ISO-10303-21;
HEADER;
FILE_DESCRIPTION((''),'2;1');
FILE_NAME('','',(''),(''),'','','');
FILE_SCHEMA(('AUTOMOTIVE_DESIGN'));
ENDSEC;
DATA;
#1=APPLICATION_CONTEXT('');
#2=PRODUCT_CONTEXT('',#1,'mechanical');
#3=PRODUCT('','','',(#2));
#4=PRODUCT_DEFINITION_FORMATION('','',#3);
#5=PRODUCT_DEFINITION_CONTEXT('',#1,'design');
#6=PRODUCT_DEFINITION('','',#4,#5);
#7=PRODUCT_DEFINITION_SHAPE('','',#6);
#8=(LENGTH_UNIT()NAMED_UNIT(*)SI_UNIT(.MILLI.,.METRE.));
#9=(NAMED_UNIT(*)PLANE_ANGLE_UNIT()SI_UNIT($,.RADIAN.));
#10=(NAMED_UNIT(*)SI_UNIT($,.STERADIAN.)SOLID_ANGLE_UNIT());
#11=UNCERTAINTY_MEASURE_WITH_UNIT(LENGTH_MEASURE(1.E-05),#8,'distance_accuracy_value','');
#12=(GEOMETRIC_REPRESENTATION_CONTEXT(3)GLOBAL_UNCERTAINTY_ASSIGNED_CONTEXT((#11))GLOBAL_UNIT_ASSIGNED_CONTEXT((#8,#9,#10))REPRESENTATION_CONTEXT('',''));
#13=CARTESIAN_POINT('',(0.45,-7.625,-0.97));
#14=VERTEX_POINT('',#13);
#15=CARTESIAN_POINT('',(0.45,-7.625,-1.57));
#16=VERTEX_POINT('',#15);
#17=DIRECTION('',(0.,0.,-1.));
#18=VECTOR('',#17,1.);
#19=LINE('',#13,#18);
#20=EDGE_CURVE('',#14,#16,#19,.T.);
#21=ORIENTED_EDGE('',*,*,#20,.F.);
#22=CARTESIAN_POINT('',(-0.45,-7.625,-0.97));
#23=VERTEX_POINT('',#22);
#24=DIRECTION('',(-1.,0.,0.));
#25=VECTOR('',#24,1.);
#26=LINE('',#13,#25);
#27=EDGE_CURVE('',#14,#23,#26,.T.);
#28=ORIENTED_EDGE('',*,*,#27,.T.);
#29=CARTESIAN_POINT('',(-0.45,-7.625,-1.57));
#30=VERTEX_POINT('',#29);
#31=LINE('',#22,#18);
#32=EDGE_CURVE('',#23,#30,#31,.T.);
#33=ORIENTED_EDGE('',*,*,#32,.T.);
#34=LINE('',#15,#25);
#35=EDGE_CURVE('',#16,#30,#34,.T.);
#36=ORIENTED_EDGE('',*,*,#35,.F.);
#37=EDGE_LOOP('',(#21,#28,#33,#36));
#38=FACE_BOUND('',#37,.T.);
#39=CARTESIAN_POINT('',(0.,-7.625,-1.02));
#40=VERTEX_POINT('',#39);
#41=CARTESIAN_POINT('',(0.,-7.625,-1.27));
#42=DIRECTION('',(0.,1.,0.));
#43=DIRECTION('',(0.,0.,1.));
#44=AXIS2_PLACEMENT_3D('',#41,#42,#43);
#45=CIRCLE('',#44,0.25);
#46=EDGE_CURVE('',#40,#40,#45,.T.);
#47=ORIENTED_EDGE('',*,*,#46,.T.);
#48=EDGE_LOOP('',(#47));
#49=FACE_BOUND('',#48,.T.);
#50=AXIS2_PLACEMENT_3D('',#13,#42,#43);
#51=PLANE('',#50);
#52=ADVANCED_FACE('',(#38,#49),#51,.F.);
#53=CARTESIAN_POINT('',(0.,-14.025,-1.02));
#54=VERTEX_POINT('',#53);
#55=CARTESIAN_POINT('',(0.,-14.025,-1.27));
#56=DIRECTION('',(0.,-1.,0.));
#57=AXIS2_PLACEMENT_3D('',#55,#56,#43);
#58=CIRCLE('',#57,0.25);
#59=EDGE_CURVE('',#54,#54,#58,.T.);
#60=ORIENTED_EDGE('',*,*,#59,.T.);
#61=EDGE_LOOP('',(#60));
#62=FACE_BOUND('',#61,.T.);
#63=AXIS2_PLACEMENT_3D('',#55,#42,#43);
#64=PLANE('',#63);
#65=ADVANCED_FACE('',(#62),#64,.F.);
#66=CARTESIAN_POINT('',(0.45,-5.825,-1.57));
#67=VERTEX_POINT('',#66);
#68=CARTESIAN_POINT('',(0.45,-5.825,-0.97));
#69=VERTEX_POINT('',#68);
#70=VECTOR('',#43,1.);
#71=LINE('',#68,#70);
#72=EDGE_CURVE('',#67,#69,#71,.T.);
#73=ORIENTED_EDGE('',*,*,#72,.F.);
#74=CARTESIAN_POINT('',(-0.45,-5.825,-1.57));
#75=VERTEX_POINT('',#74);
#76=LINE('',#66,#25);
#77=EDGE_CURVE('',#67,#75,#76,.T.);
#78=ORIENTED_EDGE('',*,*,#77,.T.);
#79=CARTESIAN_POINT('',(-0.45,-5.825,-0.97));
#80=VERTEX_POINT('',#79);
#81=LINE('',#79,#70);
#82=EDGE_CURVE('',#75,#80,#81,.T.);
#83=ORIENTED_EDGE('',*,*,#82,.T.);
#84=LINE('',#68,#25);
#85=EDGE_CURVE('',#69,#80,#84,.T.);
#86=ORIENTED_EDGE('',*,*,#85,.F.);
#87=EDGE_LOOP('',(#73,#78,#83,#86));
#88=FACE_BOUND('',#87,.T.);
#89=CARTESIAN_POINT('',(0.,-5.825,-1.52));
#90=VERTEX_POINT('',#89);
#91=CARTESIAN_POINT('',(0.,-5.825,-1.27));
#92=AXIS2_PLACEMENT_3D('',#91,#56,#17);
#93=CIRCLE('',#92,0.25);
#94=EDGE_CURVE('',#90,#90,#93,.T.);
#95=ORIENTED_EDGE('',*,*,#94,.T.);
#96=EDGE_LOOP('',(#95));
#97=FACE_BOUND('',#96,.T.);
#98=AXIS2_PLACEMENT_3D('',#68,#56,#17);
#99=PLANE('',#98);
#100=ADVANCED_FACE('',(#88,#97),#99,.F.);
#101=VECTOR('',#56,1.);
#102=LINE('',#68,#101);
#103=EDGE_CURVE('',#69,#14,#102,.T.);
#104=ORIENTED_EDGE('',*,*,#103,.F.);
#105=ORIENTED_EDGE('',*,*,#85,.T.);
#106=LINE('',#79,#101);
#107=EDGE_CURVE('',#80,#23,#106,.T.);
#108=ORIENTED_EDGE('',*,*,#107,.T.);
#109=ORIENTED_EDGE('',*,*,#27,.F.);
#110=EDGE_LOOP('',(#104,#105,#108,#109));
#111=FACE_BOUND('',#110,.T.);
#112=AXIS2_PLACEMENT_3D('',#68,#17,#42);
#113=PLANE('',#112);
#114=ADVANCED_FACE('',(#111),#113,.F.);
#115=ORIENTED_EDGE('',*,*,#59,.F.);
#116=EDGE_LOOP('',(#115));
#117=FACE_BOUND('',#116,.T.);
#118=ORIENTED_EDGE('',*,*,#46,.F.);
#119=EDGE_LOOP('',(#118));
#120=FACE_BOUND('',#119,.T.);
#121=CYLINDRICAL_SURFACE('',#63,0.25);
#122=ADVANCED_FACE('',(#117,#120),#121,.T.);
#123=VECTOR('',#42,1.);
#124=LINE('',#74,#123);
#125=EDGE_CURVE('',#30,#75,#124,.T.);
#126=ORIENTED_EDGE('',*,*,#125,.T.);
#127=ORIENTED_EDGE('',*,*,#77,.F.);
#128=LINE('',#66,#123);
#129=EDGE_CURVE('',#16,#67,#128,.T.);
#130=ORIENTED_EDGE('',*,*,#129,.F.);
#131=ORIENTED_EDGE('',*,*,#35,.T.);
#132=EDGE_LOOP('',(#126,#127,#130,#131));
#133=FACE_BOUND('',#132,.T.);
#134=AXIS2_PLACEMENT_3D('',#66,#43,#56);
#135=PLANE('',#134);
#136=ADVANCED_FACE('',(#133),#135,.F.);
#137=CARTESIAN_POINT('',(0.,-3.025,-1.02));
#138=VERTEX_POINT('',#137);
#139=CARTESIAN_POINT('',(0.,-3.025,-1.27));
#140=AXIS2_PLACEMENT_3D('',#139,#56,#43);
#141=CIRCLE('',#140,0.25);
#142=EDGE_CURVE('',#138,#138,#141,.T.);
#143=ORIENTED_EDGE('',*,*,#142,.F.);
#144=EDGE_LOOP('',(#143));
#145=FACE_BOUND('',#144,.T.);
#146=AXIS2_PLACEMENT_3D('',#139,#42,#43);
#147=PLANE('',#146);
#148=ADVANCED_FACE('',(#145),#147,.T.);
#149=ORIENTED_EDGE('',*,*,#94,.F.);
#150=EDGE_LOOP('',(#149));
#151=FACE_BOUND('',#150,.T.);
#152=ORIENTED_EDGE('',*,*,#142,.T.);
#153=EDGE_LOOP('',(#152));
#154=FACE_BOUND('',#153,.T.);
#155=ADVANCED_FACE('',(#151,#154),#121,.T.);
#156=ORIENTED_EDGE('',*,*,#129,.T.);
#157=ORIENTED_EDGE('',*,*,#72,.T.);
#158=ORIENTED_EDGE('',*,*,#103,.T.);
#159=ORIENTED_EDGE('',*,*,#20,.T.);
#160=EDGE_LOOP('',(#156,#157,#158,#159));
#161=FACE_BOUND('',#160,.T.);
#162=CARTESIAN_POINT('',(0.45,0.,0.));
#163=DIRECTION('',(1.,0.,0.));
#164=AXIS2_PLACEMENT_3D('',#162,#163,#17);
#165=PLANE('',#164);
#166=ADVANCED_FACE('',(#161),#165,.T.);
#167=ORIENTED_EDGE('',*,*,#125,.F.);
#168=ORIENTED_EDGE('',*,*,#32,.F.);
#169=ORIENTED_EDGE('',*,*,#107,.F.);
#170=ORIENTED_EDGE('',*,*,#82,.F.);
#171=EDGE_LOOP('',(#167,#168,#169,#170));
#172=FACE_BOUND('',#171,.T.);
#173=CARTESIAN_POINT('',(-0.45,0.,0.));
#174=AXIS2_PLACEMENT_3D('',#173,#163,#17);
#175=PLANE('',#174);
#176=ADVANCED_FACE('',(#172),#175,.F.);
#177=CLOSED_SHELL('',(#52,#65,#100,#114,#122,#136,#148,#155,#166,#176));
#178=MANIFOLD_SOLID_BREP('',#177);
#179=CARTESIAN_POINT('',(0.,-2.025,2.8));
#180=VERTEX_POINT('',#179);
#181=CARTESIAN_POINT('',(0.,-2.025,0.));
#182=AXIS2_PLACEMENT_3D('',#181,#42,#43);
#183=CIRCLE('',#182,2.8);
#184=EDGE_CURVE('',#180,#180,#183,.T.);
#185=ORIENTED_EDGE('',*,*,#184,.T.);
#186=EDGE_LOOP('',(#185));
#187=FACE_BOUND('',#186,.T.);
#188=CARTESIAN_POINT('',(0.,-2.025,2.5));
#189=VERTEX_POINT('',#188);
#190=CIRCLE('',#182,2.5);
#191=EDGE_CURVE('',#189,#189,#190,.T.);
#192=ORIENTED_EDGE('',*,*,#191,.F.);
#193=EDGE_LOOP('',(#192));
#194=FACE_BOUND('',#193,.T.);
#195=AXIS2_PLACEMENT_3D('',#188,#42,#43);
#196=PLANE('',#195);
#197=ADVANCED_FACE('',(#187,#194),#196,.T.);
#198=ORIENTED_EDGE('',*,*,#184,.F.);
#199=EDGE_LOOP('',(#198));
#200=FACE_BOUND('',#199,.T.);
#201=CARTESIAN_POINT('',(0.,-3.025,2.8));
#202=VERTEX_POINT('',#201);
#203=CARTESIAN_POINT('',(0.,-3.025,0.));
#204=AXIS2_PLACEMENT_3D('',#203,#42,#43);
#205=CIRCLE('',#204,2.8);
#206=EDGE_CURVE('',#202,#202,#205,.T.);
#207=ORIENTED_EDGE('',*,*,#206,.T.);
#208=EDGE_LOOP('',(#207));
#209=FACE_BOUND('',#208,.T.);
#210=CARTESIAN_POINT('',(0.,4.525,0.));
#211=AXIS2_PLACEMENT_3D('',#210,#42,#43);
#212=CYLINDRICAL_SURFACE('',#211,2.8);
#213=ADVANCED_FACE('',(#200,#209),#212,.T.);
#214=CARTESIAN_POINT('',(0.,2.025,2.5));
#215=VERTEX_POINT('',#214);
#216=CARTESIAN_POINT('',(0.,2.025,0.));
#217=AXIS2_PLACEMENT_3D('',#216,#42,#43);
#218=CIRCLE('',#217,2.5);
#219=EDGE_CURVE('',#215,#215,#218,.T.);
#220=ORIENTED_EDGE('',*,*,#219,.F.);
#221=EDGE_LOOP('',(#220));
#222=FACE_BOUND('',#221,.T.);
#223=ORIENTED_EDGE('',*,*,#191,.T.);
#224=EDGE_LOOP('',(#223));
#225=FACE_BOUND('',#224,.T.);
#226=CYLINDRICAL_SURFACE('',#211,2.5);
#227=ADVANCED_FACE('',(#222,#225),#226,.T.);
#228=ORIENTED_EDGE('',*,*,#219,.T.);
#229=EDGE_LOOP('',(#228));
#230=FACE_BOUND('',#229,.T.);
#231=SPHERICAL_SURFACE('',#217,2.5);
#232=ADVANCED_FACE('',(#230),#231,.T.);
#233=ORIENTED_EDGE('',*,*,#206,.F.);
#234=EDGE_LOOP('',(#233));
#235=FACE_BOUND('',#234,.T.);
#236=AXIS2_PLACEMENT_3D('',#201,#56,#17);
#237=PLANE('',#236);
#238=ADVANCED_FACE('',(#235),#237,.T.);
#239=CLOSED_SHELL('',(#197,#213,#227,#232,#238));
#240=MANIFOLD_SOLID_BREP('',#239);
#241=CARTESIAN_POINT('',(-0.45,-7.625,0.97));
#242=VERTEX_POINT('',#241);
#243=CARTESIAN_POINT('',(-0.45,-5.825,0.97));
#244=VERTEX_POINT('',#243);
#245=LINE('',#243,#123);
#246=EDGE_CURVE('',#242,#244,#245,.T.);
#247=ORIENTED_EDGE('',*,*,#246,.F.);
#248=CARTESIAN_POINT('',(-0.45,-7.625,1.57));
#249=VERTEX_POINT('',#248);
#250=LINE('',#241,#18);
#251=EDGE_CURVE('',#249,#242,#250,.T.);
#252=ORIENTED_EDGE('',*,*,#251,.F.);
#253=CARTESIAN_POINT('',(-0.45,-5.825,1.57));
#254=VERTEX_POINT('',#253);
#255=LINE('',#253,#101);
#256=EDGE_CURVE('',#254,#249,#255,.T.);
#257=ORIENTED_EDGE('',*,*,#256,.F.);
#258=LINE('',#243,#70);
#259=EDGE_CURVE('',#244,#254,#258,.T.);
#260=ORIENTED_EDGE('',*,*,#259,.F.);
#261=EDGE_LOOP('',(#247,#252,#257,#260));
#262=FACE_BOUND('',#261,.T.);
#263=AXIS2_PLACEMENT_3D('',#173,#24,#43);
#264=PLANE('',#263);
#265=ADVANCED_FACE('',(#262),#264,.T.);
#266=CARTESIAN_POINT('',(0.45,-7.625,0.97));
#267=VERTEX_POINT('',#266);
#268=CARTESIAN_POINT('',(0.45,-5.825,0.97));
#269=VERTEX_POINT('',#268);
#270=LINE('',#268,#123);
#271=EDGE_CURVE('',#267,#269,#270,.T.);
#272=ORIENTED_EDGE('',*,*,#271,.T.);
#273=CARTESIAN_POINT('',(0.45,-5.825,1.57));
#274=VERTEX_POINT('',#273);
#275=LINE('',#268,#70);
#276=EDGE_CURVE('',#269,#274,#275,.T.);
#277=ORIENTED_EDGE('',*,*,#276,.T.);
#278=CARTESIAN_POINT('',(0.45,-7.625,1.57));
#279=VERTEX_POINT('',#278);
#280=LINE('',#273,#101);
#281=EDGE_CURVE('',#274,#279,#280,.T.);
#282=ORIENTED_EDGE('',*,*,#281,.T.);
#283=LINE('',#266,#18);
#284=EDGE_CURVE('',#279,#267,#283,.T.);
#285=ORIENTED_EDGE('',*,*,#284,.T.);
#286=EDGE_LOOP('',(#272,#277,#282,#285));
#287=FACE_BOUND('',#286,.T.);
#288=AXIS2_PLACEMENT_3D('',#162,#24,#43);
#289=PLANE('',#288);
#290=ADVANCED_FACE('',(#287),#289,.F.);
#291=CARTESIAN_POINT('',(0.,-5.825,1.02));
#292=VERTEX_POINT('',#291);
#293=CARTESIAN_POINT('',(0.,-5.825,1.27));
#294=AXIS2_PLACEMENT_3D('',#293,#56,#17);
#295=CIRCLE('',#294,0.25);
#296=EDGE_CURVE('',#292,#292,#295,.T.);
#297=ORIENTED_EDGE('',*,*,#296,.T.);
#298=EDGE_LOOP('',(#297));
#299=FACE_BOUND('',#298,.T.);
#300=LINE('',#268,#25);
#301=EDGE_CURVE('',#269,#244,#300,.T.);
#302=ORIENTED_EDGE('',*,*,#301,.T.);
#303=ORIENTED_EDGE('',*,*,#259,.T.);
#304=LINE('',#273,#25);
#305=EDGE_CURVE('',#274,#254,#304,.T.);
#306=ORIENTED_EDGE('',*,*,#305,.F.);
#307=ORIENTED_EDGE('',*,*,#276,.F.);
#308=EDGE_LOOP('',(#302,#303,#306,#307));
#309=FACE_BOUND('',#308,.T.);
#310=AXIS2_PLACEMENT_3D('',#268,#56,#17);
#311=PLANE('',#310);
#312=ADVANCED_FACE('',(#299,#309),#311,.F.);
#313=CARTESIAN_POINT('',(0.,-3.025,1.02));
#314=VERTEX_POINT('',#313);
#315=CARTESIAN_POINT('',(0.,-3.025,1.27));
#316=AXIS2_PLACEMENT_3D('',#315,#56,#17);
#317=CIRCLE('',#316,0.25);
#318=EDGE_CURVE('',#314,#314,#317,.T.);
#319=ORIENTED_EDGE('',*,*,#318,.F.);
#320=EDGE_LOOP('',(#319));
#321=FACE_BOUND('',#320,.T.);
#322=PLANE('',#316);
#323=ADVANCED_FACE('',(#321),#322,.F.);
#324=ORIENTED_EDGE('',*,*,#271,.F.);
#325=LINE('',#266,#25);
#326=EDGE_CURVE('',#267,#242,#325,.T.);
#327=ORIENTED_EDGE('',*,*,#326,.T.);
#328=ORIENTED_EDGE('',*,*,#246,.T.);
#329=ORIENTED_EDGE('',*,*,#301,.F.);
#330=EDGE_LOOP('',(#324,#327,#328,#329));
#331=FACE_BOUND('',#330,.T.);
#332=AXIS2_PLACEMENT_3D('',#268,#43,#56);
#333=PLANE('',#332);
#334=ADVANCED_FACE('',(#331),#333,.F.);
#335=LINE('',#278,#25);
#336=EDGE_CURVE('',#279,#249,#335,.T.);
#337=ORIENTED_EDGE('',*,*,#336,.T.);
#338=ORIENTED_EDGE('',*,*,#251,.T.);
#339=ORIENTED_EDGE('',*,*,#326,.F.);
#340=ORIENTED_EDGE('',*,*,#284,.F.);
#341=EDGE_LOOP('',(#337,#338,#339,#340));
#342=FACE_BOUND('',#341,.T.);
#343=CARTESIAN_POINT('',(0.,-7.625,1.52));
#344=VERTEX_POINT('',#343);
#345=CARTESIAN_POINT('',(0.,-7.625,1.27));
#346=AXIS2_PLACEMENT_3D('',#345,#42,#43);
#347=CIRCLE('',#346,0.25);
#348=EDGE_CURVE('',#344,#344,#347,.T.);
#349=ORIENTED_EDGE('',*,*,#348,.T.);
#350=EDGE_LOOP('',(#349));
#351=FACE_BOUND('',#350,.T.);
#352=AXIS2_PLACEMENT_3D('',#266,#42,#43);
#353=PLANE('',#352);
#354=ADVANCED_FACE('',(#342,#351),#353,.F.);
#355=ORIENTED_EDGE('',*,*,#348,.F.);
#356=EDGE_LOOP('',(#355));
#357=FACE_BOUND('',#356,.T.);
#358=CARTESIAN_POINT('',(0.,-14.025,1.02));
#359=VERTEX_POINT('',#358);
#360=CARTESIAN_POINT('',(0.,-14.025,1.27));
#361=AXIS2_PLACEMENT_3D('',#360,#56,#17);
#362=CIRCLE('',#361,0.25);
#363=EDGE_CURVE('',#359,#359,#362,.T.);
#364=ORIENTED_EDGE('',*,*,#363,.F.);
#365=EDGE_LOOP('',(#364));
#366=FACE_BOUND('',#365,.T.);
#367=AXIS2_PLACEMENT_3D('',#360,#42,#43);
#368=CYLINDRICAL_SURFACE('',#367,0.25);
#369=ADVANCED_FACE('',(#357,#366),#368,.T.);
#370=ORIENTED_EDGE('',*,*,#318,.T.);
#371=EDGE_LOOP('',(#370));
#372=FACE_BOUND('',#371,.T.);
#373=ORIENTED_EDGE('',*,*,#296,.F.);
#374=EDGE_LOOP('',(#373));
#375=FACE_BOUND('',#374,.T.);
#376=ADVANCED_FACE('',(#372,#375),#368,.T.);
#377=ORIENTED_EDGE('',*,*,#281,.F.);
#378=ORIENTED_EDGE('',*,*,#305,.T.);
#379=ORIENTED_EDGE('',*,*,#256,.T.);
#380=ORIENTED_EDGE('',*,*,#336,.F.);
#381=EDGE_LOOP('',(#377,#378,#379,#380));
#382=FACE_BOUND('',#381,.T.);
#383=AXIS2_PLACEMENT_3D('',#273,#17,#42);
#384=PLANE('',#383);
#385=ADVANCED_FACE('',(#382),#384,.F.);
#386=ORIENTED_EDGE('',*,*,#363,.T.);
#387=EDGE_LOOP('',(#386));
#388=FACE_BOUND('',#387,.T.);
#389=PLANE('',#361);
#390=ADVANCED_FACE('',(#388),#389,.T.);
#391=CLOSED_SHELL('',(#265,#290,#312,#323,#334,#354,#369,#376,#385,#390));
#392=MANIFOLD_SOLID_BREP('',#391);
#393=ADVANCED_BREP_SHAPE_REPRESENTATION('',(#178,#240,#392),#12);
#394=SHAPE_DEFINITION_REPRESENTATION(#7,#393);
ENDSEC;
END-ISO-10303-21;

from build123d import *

# Parameters (mm, degrees)
SKETCH2_R             = 0.25
BOSS_EXTRUDE1_DEPTH   = 11
BOSS_EXTRUDE1_2_DEPTH = 11
SKETCH3_W             = 0.6
SKETCH3_H             = 1.8
BOSS_EXTRUDE2_DEPTH   = 0.45


with BuildPart() as part:
    # Sketch1 → Revolve1 (revolve)
    with BuildSketch(Plane(origin=(0, 0, 0), x_dir=(0, 0, -1), z_dir=(1, 0, 0))):
        with BuildLine():
            Line((-2.5, 2.025), (-2.5, -2.025))
            Line((-2.5, -2.025), (-2.8, -2.025))
            Line((-2.8, -2.025), (-2.8, -3.025))
            Line((-2.8, -3.025), (0, -3.025))
            Line((0, -3.025), (0, 4.525))
            ThreePointArc((0, 4.525), (-1.767766953, 3.792766953), (-2.5, 2.025))
        make_face()
    revolve(axis=Axis((0, 4.525, 0), (0, -1, 0)))


with BuildPart() as body_2:
    # Sketch2 → Boss-Extrude1 (new body)
    with BuildSketch(Plane.XZ.offset(3.025)):
        with Locations(Location((0, 1.27, 0), (0, 0, 270))):
            Circle(SKETCH2_R)
    extrude(amount=BOSS_EXTRUDE1_DEPTH)



with BuildPart() as body_3:
    # Sketch2 → Boss-Extrude1 2 (new body)
    with BuildSketch(Plane.XZ.offset(3.025)):
        with Locations(Location((0, -1.27, 0), (0, 0, 90))):
            Circle(SKETCH2_R)
    extrude(amount=BOSS_EXTRUDE1_2_DEPTH)


with BuildPart() as body_2_1:
    add(body_2.part)

    add(body_3.part)  # Boss-Extrude2 merges body 3
    # Sketch3 → Boss-Extrude2 (add, symmetric)
    with BuildSketch(Plane(origin=(0, 0, 0), x_dir=(0, 0, -1), z_dir=(1, 0, 0))):
        with Locations((1.27, -6.725)):
            Rectangle(SKETCH3_W, SKETCH3_H)
        with Locations((-1.27, -6.725)):
            Rectangle(SKETCH3_W, SKETCH3_H)
    extrude(amount=BOSS_EXTRUDE2_DEPTH, both=True)


solid = Compound([part.part, body_2_1.part])
